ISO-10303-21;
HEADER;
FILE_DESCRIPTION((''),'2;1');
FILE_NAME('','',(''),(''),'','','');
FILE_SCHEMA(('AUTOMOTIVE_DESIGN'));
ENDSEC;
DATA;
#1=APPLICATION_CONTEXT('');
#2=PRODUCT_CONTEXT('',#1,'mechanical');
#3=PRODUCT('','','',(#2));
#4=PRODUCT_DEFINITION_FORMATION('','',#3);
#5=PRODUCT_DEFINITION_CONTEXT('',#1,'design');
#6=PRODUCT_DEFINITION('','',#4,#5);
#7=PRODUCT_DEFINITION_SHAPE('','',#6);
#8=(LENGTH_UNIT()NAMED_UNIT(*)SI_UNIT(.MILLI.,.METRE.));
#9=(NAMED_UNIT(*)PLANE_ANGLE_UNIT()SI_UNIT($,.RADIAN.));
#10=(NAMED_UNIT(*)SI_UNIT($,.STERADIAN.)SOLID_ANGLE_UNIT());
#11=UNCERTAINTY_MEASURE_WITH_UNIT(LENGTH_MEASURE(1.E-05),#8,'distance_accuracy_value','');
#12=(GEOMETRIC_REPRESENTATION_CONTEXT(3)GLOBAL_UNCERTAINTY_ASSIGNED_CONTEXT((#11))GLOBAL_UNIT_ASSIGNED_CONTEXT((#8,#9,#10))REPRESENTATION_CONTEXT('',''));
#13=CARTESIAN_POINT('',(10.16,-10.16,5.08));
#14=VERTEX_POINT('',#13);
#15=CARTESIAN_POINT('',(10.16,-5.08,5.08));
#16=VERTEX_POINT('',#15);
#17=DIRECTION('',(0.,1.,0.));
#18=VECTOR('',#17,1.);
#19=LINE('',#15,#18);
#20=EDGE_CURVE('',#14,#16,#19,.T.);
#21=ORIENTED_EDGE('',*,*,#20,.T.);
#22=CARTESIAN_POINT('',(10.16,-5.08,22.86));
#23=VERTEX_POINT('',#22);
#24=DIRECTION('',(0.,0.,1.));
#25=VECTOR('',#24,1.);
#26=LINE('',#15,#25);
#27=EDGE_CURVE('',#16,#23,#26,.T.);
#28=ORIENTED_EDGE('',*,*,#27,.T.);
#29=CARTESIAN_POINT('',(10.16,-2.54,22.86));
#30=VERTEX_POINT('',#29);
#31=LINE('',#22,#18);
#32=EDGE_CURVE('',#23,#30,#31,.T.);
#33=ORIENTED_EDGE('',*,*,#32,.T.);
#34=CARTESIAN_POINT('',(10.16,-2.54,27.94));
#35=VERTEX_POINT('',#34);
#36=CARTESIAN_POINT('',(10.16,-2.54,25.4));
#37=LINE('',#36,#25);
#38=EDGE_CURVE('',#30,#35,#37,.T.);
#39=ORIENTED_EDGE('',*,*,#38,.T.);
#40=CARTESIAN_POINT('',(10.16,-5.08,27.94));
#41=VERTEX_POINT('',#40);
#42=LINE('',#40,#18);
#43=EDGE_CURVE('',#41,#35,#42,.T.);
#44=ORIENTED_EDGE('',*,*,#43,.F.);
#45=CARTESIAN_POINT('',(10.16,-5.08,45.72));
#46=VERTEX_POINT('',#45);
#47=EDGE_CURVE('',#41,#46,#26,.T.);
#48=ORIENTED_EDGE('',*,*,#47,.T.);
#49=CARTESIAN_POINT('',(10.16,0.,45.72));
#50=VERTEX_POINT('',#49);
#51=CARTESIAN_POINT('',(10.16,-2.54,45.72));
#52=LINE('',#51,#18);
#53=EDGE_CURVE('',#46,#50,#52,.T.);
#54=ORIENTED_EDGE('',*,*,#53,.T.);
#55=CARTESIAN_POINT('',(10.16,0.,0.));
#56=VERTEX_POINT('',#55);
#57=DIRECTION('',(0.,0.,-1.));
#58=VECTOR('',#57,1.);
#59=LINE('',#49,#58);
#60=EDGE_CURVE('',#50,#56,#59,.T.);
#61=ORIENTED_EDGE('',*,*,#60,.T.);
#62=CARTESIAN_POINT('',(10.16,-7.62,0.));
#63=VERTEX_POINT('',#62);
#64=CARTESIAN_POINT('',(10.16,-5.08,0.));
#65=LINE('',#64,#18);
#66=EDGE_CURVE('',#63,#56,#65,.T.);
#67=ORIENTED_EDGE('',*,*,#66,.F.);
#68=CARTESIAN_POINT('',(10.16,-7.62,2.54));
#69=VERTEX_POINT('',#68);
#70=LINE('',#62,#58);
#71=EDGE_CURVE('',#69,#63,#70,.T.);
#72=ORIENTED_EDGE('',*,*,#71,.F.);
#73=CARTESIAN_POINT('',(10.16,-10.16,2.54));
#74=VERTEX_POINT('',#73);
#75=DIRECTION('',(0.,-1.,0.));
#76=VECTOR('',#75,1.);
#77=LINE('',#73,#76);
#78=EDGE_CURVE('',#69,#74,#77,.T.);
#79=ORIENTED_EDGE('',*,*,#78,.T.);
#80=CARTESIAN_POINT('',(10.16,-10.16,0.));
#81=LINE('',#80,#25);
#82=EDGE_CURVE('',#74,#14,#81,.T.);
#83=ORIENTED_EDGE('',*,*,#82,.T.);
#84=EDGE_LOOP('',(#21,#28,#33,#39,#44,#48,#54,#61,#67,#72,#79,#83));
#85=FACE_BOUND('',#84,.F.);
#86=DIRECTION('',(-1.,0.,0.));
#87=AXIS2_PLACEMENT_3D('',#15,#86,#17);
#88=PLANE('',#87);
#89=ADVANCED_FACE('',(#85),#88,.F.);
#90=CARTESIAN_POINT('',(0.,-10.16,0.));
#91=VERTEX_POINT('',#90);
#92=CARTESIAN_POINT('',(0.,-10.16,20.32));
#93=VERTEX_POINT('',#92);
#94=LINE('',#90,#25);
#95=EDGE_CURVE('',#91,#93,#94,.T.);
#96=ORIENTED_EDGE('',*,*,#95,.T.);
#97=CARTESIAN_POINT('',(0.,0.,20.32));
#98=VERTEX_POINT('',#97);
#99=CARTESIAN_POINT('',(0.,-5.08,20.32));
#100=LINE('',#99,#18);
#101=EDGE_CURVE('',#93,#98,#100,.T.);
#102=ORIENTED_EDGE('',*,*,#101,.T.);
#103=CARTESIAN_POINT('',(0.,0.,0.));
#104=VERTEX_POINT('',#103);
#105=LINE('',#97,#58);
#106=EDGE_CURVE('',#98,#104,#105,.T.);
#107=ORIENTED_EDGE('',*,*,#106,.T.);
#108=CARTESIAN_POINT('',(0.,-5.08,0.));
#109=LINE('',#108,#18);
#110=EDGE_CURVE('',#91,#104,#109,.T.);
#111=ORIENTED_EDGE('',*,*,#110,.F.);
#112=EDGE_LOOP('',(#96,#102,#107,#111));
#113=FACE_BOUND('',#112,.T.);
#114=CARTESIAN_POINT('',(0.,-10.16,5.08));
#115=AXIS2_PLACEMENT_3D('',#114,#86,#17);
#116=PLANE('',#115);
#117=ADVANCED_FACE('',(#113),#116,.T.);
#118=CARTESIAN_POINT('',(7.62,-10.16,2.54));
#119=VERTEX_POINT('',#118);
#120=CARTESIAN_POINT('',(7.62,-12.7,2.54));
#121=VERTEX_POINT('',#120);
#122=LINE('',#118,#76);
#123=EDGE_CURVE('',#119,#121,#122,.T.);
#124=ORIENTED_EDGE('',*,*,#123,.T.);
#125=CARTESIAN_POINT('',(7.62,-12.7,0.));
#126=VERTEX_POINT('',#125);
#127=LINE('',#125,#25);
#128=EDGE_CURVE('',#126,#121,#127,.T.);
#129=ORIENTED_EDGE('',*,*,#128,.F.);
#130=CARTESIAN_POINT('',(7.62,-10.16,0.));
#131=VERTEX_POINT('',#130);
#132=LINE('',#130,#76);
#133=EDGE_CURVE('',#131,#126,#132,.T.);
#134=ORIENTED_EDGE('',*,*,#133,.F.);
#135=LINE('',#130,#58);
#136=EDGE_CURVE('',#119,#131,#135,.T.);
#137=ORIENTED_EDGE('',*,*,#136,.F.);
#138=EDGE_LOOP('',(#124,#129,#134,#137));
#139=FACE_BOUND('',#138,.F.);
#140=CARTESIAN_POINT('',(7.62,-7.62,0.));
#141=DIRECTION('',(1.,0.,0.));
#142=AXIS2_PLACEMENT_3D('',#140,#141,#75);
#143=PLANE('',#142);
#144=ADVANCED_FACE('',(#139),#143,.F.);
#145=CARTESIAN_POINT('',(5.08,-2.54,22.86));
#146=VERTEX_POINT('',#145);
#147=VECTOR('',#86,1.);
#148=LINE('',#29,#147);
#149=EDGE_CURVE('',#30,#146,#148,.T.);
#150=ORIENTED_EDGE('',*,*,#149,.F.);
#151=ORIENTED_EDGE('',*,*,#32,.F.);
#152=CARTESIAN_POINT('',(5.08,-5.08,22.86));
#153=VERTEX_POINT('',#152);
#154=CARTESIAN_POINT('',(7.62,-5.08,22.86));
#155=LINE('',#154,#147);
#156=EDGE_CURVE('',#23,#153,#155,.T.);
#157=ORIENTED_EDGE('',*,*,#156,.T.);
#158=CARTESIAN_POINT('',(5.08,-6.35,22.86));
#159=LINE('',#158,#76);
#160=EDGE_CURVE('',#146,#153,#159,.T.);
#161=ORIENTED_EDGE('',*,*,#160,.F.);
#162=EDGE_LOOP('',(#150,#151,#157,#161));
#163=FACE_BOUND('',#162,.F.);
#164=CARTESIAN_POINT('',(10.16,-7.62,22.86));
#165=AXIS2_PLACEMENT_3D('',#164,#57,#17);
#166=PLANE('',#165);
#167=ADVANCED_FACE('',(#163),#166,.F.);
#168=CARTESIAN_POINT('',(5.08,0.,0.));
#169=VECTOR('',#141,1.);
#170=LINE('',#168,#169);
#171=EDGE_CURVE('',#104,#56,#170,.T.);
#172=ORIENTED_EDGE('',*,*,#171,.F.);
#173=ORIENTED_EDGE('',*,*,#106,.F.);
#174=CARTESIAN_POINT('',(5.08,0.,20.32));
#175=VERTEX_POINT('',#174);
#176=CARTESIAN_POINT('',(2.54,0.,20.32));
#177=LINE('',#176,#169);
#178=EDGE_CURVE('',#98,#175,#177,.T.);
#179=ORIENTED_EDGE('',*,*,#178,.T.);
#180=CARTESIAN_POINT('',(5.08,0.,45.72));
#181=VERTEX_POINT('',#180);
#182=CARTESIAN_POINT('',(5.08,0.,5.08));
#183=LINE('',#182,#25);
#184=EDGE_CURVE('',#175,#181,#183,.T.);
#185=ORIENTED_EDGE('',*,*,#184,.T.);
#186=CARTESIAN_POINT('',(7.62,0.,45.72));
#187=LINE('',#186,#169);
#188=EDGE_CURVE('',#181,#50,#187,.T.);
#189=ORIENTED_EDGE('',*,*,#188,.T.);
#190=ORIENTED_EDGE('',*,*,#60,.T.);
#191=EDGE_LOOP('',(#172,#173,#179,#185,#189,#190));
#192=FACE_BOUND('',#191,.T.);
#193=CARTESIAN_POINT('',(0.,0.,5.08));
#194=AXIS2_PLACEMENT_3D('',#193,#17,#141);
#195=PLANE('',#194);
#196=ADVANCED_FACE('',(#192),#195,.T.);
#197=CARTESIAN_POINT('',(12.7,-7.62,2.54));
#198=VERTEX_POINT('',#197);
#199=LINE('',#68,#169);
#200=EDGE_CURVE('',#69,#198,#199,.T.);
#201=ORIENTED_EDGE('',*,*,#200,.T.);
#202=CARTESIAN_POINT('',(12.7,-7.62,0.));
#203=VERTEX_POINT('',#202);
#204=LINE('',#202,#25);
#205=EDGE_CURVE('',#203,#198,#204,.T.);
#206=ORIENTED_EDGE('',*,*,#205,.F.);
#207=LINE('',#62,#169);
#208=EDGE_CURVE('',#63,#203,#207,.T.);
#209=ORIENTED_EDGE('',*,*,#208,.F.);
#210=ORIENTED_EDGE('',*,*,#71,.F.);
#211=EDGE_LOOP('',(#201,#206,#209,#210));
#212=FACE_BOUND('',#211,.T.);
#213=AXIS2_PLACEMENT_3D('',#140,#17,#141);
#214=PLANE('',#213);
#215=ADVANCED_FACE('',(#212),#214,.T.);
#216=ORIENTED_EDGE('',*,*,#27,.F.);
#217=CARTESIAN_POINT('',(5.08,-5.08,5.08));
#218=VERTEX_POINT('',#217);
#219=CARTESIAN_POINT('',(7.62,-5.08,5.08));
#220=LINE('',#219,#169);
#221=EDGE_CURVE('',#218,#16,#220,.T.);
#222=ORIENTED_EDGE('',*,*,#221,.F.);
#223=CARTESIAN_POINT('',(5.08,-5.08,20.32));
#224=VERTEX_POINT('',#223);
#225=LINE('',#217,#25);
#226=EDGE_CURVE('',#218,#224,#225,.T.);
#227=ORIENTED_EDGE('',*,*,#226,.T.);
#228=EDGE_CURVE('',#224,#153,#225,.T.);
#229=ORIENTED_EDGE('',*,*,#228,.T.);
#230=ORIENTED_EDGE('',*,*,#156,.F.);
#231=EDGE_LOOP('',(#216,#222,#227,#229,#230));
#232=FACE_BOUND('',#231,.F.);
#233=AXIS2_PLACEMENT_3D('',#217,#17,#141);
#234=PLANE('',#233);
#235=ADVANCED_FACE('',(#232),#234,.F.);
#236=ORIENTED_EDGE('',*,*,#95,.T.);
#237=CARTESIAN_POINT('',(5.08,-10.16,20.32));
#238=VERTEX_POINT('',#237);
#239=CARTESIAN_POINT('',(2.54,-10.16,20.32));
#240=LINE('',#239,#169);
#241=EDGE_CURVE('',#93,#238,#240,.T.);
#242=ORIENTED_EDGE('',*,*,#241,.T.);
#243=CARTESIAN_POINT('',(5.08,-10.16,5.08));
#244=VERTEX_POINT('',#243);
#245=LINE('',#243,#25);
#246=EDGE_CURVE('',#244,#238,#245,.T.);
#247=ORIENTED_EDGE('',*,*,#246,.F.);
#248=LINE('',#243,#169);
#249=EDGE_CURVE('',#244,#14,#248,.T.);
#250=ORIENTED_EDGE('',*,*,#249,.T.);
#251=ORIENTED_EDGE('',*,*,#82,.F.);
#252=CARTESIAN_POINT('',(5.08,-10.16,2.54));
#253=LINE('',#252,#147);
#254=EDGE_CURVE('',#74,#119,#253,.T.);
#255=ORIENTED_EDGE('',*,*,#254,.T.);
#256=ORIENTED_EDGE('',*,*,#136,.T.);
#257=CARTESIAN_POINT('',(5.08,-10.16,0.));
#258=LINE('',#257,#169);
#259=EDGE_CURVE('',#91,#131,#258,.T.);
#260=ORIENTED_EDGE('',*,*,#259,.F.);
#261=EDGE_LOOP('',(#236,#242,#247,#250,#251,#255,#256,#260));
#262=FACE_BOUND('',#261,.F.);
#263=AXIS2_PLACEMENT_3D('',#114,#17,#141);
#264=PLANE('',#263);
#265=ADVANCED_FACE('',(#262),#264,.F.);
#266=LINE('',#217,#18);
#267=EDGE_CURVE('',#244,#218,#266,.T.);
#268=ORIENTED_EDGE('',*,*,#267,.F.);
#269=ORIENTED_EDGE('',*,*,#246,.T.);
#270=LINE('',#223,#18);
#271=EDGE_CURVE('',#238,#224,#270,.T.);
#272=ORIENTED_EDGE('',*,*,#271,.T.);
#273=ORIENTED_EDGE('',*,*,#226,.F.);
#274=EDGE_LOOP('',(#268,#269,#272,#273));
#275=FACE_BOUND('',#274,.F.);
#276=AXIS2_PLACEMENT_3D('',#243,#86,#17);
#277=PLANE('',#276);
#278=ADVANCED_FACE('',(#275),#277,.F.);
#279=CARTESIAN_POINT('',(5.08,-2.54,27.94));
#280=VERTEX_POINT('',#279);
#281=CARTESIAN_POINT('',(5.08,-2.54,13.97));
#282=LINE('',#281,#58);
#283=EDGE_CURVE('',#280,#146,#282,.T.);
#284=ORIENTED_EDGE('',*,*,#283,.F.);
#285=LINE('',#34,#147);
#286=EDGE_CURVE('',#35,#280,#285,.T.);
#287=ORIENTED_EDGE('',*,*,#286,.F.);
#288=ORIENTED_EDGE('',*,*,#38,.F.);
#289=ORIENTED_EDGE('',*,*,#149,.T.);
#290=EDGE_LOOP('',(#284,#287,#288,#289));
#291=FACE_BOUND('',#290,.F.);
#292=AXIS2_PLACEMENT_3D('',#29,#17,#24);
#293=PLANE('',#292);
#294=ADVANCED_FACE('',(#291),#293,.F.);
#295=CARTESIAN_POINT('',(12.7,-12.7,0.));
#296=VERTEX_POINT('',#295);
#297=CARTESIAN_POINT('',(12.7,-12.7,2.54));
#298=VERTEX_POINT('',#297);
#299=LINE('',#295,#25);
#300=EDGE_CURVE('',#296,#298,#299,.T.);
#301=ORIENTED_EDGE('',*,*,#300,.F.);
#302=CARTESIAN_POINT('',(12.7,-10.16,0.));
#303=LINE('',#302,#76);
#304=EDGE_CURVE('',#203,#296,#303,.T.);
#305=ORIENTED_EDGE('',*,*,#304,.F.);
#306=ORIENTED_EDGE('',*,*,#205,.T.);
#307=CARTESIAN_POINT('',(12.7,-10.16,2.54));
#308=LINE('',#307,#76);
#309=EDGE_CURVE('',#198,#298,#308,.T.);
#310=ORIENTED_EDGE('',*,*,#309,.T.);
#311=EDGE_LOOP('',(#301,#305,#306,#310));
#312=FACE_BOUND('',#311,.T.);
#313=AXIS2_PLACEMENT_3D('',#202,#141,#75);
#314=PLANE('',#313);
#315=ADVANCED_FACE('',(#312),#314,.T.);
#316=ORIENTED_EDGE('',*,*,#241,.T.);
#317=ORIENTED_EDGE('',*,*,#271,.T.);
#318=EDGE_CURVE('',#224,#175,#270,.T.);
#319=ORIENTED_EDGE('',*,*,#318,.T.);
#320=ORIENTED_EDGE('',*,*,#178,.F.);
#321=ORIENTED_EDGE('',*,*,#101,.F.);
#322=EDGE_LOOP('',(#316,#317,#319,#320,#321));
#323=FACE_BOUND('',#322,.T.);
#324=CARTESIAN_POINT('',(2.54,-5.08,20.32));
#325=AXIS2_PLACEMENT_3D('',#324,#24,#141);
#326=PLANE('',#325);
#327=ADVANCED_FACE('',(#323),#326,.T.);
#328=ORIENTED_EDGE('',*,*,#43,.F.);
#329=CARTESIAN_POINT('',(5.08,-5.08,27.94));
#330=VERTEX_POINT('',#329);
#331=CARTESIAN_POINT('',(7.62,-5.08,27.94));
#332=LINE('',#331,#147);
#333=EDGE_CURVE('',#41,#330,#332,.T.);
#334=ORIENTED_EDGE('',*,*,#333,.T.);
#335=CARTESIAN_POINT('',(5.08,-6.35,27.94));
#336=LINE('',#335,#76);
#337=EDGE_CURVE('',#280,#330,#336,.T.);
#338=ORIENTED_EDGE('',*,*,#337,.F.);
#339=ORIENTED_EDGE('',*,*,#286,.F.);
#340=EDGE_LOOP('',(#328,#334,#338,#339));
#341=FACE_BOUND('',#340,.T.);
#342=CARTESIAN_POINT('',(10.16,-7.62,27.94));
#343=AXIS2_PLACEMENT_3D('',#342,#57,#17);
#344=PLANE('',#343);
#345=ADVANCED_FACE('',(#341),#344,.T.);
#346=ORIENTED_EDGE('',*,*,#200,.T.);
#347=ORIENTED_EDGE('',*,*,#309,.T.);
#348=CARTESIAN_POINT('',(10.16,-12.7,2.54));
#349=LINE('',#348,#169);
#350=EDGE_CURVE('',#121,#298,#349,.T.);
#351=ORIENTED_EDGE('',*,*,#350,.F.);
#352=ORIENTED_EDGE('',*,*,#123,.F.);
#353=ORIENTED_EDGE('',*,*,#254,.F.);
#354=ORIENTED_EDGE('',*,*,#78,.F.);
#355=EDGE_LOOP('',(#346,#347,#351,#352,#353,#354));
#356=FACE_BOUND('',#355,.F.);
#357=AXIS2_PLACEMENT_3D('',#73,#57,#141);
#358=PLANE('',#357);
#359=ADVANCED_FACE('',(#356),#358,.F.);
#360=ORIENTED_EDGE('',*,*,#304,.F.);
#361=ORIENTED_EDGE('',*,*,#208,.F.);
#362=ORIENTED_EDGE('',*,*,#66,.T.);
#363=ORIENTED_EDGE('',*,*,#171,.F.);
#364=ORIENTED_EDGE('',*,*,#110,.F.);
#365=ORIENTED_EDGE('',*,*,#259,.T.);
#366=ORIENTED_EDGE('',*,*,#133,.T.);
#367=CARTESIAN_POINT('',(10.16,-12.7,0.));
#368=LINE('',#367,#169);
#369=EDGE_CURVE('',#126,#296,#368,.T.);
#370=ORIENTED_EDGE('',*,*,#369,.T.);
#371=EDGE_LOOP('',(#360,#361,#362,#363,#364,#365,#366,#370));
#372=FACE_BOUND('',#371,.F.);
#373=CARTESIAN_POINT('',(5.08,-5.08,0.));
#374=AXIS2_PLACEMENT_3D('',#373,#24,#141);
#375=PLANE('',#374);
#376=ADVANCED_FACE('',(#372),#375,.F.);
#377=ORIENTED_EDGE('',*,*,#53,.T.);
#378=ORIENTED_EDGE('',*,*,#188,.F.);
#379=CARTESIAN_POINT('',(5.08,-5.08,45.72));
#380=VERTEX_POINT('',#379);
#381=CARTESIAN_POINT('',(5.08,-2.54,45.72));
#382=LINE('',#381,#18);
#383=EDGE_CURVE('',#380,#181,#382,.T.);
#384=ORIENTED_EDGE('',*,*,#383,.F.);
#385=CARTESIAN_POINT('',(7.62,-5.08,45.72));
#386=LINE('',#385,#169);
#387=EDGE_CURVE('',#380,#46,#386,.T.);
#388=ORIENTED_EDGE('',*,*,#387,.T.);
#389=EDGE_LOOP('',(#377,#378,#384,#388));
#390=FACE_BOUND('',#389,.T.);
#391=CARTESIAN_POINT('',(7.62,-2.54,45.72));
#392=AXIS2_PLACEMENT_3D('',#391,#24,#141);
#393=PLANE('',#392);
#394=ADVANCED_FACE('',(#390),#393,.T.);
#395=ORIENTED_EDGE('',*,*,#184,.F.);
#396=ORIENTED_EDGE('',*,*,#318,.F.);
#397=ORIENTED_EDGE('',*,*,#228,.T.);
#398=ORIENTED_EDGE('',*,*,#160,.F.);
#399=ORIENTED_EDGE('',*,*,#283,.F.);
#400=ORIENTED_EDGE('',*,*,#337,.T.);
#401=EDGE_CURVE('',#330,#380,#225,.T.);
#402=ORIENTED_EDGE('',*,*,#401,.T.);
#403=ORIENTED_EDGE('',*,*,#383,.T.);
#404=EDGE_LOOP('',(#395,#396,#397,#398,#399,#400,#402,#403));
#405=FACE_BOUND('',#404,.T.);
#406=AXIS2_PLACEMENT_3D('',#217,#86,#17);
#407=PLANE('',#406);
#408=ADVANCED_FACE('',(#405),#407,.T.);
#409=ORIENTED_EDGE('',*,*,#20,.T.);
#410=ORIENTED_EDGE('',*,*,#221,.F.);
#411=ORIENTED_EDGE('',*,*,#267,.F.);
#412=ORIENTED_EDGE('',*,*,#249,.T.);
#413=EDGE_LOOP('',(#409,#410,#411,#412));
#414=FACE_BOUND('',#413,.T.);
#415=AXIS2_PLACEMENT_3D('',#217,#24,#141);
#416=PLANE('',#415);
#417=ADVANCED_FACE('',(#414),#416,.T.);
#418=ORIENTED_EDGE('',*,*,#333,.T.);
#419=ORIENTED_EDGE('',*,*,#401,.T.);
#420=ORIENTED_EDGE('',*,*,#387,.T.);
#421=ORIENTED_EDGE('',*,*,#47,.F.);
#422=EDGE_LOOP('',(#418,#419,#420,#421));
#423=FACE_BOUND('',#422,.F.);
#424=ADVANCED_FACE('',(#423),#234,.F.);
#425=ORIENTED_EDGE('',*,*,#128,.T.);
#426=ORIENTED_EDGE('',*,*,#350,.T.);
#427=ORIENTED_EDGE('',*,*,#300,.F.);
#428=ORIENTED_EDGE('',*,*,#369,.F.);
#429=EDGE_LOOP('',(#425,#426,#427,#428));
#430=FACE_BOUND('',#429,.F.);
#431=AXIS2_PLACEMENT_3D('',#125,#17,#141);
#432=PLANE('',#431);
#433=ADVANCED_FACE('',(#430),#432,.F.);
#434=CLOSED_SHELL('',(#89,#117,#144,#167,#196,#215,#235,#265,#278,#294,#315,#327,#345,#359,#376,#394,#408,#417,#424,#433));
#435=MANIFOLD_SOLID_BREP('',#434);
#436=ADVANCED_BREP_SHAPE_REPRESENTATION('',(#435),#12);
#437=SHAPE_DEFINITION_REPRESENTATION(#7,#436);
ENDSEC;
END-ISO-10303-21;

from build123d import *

# Parameters (mm, degrees)
F0_W     = 10.16
F0_H     = 10.16
F1_DEPTH = 5.08
F2_W     = 5.08
F2_H     = 5.08
F3_DEPTH = 2.54
F4_W     = 5.08
F4_H     = 5.08
F5_DEPTH = 40.64
F6_W     = 5.08
F6_H     = 5.08
F7_DEPTH = 25.4
F8_W     = 5.08
F8_H     = 10.16
F9_DEPTH = 15.24


with BuildPart() as f1:
    # F0 (on Top) → F1 (new body)
    with BuildSketch(Plane.XY):
        with Locations((5.08, -5.08)):
            Rectangle(F0_W, F0_H)
    extrude(amount=F1_DEPTH)

    # F2 (on face) → F3 (join)
    with BuildSketch(Plane(origin=(0, 0, 0), x_dir=(1, 0, 0), z_dir=(0, 0, -1))):
        with Locations((10.16, 10.16)):
            Rectangle(F2_W, F2_H)
    extrude(amount=-F3_DEPTH)

    # F4 (on face) → F5 (join)
    with BuildSketch(Plane.XY.offset(5.08)):
        with Locations((7.62, -2.54)):
            Rectangle(F4_W, F4_H)
    extrude(amount=F5_DEPTH)

    # F6 (on face) → F7 (cut)
    with BuildSketch(Plane.YZ.offset(10.16)):
        with Locations((-5.08, 25.4)):
            Rectangle(F6_W, F6_H)
    extrude(amount=-F7_DEPTH, mode=Mode.SUBTRACT)

    # F8 (on face) → F9 (join)
    with BuildSketch(Plane.XY.offset(5.08)):
        with Locations((2.54, -5.08)):
            Rectangle(F8_W, F8_H)
    extrude(amount=F9_DEPTH)


solid = f1.part
